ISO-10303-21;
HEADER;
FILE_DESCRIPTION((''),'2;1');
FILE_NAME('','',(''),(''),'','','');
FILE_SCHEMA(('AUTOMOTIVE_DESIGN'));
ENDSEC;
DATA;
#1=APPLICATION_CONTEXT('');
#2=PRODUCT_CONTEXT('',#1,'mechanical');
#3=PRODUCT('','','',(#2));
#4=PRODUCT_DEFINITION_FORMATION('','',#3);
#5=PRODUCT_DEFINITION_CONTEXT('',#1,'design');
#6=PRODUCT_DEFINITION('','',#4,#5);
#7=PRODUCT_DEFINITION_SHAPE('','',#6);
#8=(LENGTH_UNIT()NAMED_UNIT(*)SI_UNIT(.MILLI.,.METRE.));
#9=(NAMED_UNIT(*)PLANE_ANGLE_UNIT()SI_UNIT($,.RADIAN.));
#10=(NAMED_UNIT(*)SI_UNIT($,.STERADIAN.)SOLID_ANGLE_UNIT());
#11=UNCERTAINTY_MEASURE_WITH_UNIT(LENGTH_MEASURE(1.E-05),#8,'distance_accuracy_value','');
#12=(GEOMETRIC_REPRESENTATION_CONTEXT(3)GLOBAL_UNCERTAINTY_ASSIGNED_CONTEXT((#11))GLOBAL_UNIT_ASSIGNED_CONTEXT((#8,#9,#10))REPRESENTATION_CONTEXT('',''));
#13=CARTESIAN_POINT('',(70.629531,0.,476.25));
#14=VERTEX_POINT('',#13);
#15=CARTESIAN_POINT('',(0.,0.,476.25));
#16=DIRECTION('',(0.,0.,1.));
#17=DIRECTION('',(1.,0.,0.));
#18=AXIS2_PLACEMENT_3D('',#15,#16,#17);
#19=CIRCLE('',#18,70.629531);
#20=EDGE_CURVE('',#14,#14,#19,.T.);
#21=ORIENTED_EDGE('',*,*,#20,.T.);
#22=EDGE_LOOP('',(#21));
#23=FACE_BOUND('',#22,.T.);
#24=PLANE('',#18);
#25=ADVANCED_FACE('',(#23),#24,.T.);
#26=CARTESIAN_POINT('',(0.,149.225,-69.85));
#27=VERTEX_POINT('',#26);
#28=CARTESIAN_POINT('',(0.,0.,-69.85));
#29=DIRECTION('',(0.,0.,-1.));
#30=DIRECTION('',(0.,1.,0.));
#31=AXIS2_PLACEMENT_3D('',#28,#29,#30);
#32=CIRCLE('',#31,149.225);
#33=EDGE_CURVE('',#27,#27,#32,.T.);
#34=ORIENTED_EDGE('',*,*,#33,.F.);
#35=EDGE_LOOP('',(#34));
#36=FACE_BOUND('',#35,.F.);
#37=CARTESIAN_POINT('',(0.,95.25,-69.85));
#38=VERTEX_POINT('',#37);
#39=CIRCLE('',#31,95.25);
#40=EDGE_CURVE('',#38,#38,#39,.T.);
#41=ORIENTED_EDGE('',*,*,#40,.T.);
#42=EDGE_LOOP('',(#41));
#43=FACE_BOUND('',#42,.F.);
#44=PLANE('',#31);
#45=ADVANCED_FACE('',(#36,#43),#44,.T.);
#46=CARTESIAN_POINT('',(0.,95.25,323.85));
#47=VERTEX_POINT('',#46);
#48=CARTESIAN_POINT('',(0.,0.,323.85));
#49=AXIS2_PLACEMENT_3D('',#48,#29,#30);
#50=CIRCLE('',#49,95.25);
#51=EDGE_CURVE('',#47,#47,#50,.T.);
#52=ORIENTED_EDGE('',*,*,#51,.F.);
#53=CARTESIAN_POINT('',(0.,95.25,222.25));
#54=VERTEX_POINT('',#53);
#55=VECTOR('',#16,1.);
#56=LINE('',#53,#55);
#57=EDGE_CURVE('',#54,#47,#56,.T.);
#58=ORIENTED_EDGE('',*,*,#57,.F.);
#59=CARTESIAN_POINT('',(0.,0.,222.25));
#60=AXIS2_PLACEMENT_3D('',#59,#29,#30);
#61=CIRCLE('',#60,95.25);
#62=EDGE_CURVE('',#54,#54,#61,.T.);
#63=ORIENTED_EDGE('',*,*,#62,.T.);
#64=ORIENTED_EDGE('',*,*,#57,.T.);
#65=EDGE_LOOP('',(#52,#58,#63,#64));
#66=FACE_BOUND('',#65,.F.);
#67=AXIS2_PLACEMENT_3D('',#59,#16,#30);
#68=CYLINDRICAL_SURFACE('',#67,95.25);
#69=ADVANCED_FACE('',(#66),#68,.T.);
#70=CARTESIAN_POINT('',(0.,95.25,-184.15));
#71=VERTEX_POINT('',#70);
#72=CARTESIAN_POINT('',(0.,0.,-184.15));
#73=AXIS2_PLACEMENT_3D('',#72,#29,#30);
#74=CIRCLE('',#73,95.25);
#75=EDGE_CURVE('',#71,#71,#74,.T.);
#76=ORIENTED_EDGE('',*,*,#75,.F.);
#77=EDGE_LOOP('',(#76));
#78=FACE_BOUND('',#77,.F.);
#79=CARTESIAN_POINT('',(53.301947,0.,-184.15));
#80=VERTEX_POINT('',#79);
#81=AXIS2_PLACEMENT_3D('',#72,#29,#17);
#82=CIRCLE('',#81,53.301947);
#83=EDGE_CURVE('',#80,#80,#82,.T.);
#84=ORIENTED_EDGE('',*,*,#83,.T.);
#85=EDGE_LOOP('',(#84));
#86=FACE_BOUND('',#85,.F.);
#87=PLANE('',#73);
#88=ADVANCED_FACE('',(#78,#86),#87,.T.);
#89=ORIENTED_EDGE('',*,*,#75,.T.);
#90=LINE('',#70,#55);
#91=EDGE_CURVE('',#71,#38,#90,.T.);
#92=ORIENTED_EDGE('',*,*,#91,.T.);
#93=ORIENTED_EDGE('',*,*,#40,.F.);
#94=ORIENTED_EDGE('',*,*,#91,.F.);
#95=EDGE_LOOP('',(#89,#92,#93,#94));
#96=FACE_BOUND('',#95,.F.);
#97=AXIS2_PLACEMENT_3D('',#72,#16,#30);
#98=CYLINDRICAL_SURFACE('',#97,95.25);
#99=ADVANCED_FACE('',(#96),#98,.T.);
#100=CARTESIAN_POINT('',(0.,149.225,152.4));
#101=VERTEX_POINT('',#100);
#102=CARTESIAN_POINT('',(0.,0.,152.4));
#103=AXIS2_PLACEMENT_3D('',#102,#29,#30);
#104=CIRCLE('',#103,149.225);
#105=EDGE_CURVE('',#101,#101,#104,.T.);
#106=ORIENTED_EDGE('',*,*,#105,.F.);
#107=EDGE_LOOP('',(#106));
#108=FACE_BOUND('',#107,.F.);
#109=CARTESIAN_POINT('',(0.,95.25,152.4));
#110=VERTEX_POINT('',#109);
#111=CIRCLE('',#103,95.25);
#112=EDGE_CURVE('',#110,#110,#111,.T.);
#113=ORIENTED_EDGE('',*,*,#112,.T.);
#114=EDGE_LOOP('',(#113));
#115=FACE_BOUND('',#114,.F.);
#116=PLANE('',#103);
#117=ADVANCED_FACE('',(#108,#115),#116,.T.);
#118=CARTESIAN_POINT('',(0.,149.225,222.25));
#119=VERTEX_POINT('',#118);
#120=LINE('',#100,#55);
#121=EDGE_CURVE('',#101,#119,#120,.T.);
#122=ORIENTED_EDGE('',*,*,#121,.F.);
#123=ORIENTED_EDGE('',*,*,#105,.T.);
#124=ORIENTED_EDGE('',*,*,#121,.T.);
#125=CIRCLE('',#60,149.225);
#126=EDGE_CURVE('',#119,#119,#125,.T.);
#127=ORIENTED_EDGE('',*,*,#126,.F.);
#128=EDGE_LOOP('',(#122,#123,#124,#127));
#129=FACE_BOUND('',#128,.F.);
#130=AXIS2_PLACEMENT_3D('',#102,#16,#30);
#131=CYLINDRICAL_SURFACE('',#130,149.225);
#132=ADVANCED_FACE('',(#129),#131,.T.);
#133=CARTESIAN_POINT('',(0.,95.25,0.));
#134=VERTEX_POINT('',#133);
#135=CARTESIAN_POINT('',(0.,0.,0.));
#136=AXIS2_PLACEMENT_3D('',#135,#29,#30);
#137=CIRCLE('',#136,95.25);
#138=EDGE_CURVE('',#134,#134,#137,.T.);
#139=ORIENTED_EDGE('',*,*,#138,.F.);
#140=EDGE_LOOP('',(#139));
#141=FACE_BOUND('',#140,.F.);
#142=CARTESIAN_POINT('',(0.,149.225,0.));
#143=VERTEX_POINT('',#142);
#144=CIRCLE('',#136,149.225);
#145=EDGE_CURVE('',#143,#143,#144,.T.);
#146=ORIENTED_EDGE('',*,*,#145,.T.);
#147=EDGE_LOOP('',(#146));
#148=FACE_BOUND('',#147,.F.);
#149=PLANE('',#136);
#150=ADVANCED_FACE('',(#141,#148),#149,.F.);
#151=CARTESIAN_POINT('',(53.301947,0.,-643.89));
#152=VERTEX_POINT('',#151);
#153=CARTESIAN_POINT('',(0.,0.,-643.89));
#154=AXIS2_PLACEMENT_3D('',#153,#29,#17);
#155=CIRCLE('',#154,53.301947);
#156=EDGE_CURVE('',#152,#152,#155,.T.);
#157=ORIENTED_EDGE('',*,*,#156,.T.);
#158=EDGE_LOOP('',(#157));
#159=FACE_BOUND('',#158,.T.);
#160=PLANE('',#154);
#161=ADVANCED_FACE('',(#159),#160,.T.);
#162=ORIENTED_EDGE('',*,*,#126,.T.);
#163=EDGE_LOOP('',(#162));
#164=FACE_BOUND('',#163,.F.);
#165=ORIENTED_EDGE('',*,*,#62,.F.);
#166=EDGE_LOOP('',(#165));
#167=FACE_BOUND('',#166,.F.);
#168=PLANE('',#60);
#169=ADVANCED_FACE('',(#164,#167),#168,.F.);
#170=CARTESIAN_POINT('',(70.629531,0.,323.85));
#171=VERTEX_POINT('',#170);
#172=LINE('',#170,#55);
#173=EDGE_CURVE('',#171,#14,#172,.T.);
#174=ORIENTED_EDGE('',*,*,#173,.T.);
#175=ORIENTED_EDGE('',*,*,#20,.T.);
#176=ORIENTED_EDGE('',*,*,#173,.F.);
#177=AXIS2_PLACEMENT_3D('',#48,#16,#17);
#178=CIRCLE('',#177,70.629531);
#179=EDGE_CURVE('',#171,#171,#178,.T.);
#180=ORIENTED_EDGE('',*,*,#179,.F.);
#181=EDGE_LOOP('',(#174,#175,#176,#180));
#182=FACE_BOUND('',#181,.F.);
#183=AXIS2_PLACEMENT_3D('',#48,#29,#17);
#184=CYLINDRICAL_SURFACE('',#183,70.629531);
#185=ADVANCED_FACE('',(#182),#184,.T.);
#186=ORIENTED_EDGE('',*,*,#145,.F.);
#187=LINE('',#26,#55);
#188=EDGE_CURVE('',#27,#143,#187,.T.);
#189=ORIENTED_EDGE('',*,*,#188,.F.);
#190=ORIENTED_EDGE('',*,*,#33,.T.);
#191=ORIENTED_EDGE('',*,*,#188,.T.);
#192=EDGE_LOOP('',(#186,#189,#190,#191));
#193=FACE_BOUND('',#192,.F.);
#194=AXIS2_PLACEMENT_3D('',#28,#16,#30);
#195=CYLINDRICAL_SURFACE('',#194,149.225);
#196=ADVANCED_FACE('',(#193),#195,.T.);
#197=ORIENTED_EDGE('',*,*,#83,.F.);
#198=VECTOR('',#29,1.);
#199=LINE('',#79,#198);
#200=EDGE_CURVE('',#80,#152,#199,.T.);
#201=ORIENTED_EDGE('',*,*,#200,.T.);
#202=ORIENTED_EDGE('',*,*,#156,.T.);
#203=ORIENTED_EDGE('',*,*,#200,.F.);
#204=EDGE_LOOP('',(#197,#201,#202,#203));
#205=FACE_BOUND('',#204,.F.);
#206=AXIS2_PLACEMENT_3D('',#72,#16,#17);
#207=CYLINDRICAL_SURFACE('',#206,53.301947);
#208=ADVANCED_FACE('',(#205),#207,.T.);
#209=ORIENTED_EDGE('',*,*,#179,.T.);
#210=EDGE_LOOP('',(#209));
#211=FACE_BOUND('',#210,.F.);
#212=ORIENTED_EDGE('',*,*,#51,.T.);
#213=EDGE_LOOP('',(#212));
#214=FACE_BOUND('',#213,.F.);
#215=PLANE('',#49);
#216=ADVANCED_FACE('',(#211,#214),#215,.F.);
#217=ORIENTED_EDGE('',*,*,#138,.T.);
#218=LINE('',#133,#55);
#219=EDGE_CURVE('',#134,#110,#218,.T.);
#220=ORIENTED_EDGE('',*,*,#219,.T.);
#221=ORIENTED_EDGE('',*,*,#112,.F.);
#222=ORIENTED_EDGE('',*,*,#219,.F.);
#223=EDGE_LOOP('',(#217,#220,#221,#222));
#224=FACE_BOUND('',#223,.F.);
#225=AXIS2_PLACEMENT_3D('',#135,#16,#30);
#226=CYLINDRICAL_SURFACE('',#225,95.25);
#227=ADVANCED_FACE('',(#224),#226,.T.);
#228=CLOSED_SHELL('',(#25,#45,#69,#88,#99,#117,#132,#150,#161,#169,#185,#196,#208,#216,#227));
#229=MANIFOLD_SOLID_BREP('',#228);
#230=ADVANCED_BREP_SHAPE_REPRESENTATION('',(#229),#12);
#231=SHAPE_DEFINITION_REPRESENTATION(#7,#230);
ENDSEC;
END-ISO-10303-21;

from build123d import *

# Parameters (mm, degrees)
F2_R     = 70.629531
F3_DEPTH = 152.4
F4_R     = 53.301947
F5_DEPTH = 459.74


with BuildPart() as f1:
    # F0 (on Right) → F1 (revolve)
    with BuildSketch(Plane.YZ):
        Polygon((95.25, 323.85), (0, 323.85), (0, -184.15), (95.25, -184.15), (95.25, -69.85), (149.225, -69.85), (149.225, 0), (95.25, 0), (95.25, 152.4), (149.225, 152.4), (149.225, 222.25), (95.25, 222.25), align=None)
    revolve(axis=Axis((0, 0, 7.681185), (0, 0, -1)))

    # F2 (on face) → F3 (join)
    with BuildSketch(Plane.XY.offset(323.85)):
        Circle(F2_R)
    extrude(amount=F3_DEPTH)

    # F4 (on face) → F5 (join)
    with BuildSketch(Plane(origin=(0, 0, -184.15), x_dir=(1, 0, 0), z_dir=(0, 0, -1))):
        Circle(F4_R)
    extrude(amount=F5_DEPTH)


solid = f1.part
